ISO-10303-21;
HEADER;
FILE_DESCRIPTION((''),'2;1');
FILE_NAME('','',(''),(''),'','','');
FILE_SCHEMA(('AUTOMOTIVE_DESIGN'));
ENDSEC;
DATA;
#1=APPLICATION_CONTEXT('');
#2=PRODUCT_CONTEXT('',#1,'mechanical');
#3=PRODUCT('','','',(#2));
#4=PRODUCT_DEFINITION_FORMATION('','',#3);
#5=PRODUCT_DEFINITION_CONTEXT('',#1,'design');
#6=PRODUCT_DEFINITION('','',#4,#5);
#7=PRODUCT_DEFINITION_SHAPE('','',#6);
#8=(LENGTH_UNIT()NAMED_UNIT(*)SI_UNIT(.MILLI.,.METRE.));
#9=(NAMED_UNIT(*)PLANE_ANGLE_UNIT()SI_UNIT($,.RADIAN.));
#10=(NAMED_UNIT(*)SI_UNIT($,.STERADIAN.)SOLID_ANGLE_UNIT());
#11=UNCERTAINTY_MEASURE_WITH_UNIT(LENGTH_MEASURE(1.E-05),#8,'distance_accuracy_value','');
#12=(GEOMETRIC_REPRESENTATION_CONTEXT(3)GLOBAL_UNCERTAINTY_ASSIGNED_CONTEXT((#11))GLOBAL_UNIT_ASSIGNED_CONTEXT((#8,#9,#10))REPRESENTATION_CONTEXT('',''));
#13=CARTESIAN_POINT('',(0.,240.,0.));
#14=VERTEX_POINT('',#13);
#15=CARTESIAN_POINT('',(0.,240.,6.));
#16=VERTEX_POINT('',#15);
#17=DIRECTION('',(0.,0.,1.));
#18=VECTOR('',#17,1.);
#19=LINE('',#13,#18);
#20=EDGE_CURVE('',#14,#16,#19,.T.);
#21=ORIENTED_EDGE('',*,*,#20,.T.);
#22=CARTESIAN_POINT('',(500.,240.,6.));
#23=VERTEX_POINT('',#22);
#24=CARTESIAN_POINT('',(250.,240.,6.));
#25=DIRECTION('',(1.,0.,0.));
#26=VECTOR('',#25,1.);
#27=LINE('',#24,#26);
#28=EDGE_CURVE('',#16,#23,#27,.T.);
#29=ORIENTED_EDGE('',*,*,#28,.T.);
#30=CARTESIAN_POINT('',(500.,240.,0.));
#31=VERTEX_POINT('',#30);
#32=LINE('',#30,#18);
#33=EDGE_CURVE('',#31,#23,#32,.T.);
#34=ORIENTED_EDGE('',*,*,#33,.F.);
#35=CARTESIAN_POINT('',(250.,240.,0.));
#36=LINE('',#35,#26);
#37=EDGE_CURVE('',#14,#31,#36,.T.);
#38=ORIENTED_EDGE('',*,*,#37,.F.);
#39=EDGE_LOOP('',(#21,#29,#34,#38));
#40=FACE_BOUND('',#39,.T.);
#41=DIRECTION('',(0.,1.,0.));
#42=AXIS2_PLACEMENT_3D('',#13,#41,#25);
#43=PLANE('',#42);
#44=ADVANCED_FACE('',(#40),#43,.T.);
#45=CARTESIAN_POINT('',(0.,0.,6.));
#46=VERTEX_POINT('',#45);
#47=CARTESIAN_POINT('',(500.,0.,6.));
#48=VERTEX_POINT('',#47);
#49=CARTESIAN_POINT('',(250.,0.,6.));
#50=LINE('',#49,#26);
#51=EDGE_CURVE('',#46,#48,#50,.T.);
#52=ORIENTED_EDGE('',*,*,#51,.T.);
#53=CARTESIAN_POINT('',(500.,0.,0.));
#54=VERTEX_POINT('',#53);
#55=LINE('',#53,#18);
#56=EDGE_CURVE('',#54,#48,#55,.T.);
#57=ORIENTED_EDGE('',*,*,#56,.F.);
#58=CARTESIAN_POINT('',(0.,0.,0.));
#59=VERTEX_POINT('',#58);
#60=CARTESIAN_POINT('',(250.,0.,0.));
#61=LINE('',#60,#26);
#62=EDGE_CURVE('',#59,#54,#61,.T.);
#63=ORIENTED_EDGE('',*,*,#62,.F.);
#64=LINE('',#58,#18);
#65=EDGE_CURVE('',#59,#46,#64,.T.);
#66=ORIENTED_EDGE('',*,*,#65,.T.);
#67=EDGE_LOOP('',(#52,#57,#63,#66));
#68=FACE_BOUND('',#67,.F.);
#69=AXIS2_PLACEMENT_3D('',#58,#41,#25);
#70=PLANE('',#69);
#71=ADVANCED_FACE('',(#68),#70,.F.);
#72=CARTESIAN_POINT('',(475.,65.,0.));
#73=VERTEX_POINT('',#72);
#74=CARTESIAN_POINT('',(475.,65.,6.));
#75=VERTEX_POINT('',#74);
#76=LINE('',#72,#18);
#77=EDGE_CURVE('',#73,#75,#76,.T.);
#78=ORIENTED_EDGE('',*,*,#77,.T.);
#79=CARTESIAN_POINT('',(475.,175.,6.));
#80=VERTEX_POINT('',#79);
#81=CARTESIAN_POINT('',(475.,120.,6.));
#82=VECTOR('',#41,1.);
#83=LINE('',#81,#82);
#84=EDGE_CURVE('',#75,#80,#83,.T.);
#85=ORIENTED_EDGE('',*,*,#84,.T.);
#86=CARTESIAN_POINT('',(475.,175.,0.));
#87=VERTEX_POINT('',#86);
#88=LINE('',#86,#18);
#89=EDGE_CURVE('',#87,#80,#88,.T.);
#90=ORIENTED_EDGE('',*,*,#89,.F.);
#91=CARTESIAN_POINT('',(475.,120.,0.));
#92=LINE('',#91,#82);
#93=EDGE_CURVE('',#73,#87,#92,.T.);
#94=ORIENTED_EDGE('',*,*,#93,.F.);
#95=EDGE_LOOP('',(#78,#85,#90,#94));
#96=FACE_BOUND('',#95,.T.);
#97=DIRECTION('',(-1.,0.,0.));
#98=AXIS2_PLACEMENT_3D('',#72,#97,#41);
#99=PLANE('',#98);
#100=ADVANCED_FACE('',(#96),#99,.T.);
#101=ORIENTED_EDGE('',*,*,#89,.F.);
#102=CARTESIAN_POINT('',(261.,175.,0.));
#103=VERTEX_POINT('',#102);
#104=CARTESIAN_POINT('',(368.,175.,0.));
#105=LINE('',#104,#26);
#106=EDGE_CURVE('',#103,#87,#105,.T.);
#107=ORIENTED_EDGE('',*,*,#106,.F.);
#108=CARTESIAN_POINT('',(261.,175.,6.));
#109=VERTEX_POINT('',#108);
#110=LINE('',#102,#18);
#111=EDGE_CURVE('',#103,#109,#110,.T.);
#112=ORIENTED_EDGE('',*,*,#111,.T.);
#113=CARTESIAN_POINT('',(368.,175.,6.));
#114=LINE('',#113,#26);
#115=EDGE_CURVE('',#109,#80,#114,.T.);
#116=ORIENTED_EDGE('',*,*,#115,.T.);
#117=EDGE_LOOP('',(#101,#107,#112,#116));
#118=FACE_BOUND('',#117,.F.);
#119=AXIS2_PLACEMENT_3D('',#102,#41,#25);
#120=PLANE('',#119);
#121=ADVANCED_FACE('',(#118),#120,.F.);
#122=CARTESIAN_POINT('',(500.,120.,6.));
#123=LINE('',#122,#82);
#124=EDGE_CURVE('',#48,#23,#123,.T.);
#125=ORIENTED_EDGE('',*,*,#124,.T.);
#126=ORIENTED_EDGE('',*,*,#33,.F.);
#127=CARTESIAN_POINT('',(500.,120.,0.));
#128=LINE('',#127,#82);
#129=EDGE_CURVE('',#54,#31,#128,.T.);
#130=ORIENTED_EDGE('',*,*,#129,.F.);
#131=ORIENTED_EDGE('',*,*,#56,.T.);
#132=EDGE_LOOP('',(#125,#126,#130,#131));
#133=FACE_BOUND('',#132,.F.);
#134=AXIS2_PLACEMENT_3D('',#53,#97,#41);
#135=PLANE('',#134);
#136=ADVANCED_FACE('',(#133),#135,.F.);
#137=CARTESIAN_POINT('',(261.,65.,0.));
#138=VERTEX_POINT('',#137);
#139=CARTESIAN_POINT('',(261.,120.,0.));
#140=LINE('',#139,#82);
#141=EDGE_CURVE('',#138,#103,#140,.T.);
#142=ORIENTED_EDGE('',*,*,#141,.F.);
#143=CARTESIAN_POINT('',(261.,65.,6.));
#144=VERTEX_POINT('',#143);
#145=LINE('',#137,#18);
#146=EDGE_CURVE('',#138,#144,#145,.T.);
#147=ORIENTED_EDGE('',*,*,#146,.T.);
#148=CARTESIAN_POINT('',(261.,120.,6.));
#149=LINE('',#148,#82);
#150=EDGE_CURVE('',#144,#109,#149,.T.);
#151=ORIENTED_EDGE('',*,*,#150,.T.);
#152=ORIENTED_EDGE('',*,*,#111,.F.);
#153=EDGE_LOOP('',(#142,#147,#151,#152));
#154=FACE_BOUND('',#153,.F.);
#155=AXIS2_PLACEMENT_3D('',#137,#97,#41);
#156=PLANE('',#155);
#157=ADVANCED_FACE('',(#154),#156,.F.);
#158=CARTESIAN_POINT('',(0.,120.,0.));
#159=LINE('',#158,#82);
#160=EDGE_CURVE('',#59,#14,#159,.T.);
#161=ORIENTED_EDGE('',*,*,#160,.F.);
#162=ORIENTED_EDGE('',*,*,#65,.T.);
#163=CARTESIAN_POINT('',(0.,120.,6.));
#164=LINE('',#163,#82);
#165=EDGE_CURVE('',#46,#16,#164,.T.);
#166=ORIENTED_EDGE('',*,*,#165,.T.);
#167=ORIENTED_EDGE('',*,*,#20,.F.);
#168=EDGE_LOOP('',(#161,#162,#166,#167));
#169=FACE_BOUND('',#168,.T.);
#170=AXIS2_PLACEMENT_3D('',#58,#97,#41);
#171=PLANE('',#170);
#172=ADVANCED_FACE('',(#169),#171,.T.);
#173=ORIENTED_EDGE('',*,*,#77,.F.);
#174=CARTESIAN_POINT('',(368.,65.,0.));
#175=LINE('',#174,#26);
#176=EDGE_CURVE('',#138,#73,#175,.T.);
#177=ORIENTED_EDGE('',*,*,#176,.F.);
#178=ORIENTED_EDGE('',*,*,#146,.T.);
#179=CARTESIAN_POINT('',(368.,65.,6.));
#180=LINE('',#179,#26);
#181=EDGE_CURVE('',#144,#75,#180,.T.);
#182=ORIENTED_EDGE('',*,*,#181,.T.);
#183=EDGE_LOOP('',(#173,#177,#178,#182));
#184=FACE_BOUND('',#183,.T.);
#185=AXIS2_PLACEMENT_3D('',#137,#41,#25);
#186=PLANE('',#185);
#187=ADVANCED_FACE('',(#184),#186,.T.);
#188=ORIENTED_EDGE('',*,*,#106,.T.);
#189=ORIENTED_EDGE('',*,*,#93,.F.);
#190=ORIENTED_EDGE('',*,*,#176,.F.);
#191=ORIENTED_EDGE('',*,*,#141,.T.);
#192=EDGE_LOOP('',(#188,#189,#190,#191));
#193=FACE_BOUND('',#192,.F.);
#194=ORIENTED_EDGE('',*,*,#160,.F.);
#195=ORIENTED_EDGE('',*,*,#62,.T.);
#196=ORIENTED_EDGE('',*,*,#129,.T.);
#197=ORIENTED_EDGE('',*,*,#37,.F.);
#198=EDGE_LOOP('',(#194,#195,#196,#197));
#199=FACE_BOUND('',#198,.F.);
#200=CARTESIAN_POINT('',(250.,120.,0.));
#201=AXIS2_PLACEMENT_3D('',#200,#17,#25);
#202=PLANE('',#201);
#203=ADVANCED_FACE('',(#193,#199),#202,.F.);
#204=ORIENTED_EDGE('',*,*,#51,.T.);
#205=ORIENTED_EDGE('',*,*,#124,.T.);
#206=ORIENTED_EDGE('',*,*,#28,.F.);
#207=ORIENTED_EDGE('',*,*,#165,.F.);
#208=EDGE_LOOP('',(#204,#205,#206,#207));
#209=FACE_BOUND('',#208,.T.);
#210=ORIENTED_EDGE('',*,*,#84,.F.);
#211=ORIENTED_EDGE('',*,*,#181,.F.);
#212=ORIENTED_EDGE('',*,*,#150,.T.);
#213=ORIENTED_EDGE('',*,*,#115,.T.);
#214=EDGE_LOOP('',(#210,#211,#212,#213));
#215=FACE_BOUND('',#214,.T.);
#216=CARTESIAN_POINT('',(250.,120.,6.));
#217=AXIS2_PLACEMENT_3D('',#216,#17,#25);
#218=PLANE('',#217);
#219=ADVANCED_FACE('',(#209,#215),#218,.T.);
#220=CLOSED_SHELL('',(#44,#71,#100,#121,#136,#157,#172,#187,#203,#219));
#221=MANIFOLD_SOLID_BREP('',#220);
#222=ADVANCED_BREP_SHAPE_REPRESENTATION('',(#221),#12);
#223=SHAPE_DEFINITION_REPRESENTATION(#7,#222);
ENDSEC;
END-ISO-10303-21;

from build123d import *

# Parameters (mm, degrees)
SKETCH_W   = 500
SKETCH_H   = 240
SKETCH_W_2 = 214
SKETCH_H_2 = 110
PAD_DEPTH  = 6


with BuildPart() as part:
    # Sketch → Pad (new body)
    with BuildSketch(Plane.XY):
        with Locations((250, 120)):
            Rectangle(SKETCH_W, SKETCH_H)
        with Locations((368, 120)):
            Rectangle(SKETCH_W_2, SKETCH_H_2, mode=Mode.SUBTRACT)
    extrude(amount=PAD_DEPTH)


solid = part.part
